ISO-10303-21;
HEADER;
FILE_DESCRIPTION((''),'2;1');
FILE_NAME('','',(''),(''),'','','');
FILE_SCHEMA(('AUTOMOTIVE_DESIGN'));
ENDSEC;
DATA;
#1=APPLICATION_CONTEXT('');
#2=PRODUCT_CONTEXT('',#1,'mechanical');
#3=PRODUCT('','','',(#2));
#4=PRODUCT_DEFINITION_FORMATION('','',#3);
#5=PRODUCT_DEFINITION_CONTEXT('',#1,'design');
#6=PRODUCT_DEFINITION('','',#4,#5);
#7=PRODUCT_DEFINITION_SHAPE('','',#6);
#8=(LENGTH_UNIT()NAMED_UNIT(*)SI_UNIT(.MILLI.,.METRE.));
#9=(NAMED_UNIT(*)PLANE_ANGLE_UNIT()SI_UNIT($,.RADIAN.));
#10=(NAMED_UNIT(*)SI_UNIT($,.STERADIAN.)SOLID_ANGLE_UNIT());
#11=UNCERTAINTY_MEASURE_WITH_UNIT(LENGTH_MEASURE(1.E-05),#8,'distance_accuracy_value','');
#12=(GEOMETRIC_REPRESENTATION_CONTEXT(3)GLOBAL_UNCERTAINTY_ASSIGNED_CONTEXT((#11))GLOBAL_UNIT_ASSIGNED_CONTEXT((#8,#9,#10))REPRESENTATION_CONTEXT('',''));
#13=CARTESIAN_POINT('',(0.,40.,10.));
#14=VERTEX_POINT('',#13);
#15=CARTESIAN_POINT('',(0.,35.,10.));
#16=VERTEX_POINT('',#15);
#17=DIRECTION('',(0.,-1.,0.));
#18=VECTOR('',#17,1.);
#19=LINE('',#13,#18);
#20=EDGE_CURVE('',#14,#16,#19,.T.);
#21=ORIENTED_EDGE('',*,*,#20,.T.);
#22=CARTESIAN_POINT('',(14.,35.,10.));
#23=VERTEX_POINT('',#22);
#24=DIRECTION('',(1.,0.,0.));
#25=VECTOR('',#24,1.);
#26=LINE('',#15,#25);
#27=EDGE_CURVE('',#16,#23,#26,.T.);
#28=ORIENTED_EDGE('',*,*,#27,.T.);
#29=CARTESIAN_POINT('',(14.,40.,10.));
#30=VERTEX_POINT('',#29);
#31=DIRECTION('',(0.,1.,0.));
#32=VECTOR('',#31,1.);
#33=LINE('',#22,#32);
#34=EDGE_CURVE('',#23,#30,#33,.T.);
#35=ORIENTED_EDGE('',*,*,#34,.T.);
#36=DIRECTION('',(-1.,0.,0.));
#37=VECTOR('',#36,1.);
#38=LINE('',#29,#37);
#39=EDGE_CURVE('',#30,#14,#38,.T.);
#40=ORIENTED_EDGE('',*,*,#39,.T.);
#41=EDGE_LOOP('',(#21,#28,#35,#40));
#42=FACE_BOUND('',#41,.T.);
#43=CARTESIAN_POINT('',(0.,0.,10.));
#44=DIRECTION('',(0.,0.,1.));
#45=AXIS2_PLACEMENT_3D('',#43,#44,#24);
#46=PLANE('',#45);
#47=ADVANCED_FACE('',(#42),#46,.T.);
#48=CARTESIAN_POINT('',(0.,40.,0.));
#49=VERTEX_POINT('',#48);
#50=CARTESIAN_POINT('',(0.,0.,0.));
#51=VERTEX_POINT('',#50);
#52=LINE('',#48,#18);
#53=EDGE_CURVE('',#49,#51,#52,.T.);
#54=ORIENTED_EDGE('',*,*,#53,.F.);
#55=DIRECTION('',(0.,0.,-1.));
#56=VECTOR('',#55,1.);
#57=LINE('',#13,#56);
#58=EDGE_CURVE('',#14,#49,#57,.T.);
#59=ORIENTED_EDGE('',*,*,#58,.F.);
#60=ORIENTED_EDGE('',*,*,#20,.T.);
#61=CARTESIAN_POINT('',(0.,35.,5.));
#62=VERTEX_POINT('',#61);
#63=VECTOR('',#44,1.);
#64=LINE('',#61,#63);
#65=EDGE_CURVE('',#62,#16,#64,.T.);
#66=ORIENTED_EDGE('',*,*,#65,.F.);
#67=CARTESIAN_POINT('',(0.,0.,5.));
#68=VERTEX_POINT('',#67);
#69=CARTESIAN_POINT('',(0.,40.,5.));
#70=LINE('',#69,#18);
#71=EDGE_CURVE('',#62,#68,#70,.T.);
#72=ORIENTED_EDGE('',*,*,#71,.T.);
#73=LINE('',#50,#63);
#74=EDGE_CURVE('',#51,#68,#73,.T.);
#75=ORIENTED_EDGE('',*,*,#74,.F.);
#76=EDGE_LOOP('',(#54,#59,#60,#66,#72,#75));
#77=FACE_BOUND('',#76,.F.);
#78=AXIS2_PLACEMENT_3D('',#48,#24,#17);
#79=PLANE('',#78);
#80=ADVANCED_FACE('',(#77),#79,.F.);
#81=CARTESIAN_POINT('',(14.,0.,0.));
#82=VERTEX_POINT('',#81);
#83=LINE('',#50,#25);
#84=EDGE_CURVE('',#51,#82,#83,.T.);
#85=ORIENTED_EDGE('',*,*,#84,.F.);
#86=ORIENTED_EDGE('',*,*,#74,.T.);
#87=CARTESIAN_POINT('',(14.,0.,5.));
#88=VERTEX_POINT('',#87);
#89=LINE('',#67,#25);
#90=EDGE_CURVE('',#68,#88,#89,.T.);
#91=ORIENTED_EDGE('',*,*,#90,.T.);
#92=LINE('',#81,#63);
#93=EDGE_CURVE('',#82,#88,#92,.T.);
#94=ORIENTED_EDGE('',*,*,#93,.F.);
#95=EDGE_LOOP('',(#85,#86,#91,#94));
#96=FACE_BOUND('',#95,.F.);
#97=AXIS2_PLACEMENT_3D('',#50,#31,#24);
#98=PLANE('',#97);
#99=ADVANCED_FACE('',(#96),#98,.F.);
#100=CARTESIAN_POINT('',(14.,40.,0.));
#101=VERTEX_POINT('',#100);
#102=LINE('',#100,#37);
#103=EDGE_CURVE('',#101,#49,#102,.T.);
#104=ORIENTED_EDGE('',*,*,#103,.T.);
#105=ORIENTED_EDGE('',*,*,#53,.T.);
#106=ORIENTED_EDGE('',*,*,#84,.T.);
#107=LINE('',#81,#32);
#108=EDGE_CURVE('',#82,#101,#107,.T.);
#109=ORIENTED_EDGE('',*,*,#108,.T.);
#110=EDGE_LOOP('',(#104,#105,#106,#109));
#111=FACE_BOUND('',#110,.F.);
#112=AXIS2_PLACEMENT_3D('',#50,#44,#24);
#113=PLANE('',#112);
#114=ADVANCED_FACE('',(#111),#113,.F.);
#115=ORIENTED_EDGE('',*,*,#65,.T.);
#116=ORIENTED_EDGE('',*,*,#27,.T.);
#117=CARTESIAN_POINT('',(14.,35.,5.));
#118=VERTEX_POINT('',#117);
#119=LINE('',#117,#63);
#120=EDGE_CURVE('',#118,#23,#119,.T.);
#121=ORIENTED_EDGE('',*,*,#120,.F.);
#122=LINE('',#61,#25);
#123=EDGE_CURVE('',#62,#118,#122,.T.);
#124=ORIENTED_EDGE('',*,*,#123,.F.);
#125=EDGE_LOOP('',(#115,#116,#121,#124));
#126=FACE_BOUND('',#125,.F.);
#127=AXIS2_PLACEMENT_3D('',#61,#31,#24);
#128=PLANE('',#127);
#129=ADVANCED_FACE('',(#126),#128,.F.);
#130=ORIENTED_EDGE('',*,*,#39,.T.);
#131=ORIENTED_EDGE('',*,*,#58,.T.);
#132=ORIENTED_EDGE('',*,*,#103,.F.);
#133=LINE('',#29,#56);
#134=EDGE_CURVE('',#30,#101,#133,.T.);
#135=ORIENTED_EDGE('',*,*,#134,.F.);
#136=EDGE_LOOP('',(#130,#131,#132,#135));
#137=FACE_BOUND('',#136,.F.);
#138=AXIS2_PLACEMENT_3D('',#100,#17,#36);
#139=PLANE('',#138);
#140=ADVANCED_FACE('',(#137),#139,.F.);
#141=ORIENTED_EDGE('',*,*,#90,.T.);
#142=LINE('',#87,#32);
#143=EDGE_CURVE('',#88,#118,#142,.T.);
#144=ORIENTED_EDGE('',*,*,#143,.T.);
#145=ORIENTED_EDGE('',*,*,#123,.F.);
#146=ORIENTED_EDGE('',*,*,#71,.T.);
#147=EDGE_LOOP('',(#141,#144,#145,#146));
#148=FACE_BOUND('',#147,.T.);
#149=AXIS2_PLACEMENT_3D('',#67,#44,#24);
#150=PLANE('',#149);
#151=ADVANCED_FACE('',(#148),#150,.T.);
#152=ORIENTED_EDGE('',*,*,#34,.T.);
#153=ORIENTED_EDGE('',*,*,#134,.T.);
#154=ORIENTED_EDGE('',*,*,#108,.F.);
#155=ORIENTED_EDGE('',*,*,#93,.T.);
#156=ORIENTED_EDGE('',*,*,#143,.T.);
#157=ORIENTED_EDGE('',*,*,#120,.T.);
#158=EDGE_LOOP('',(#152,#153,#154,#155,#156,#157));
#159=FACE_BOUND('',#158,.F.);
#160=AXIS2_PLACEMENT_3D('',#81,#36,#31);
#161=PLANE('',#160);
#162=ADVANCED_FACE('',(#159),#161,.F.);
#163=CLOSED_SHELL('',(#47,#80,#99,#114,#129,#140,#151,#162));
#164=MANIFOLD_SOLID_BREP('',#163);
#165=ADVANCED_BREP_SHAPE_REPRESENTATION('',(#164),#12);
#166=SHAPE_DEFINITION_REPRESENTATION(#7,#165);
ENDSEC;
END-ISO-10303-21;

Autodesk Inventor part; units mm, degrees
ref_plane "YZ Plane" through (0, 0, 0) normal (1, 0, 0) x (0, 1, 0)
ref_plane "XZ Plane" through (0, 0, 0) normal (0, 1, 0) x (-1, 0, 0)
ref_plane "XY Plane" through (0, 0, 0) normal (0, 0, 1) x (1, 0, 0)
sketch "Boceto1" plane through (0, 0, 0) normal (0, 0, 1) x (1, 0, 0)
  line L0 (0, 0) -> (14, 0)
  line L1 (14, 0) -> (14, 40)
  line L2 (14, 40) -> (0, 40)
  line L3 (0, 40) -> (0, 0)
  dimension "d0" = 14
  dimension "d1" = 40
extrude "Extrusión1" add sketch "Boceto1" along normal blind 5
sketch "Boceto2" plane through (0, 0, 5) normal (0, 0, 1) x (1, 0, 0)
  line L0 (14, 40) -> (0, 40) projected
  line L1 (14, 40) -> (0, 40)
  line L2 (0, 40) -> (0, 35)
  line L3 (0, 35) -> (14, 35)
  line L4 (14, 35) -> (14, 40)
  point P0 (0, 0)
  dimension "d4" = 14
  dimension "d5" = 5
extrude "Extrusión2" add sketch "Boceto2" along normal blind 5
properties part number "Pasador"
